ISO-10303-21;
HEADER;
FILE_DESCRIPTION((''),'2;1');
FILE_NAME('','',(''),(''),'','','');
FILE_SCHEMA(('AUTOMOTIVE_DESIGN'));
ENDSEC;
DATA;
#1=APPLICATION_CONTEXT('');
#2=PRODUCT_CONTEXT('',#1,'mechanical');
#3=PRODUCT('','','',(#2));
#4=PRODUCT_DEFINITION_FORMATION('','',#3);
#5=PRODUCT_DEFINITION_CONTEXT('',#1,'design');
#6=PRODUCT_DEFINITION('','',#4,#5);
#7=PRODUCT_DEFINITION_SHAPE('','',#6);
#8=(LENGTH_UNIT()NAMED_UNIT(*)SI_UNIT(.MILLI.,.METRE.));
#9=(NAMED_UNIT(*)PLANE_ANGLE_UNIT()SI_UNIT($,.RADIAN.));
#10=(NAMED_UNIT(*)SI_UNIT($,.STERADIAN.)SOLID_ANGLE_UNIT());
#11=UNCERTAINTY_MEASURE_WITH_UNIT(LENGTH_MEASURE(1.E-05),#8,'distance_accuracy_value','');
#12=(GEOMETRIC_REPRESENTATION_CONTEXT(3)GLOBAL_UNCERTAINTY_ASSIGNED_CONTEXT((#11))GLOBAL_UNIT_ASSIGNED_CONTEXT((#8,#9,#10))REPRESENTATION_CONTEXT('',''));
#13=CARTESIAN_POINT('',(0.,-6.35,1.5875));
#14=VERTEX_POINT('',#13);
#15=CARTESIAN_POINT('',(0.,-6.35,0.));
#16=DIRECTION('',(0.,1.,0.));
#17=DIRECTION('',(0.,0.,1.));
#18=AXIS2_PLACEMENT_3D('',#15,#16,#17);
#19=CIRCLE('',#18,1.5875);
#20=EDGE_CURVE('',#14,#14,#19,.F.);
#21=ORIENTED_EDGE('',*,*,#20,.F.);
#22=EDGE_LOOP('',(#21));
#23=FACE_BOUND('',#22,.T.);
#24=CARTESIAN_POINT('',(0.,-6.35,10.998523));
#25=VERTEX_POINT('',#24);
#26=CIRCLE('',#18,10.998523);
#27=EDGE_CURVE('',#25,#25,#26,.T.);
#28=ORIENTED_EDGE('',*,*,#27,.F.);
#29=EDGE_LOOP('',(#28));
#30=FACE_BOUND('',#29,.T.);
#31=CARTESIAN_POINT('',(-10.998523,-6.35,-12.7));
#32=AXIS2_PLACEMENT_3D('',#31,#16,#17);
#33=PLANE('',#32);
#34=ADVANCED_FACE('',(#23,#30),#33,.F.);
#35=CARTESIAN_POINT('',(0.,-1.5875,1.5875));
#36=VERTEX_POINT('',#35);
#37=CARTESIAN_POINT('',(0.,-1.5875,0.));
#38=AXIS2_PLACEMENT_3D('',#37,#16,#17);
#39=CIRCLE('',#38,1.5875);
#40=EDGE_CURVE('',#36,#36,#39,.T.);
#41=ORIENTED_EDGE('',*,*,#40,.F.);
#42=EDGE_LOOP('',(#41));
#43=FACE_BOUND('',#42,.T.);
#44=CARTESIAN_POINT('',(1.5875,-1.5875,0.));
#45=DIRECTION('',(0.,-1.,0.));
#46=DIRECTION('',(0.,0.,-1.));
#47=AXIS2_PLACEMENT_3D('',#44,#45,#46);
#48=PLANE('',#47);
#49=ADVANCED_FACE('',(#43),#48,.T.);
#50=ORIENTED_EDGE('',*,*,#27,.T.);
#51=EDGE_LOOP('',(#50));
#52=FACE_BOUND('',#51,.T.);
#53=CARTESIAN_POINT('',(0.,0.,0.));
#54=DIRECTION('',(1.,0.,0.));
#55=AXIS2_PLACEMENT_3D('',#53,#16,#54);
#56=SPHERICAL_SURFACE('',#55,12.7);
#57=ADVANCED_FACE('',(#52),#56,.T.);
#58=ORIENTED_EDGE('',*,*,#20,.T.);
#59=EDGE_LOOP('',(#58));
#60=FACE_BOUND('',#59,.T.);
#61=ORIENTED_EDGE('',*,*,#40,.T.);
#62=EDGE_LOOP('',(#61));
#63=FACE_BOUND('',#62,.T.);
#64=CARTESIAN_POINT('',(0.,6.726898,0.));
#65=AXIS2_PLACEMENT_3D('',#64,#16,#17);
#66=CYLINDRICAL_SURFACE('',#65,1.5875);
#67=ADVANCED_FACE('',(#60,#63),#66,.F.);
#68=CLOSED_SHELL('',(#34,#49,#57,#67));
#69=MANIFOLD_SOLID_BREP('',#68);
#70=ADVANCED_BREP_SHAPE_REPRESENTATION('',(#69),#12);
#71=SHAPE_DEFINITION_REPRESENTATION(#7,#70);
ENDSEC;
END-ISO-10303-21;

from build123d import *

# Parameters (mm, degrees)
TRUNCATED_BALL_DEPTH      = 13.7
TRUNCATED_BALL_DEPTH_BACK = 13.7
SKETCH8_W                 = 1.5875
SKETCH8_H                 = 11.1125


with BuildPart() as part:
    # Sketch1 → Complete_Ball (revolve)
    with BuildSketch(Plane.XY):
        with BuildLine():
            Line((0, 12.7), (0, -12.7))
            ThreePointArc((0, -12.7), (12.7, 0), (0, 12.7))
        make_face()
    revolve(axis=Axis((0, 13.6525, 0), (0, -1, 0)))

    # Sketch2 → Truncated_ball (cut, two sides)
    with BuildSketch(Plane.XY) as truncated_ball_sk:
        with BuildLine():
            Line((-10.998522628, -6.35), (10.998522628, -6.35))
            ThreePointArc((10.998522628, -6.35), (0, -12.7), (-10.998522628, -6.35))
        make_face()
    extrude(amount=TRUNCATED_BALL_DEPTH, mode=Mode.SUBTRACT)
    extrude(truncated_ball_sk.sketch, amount=-TRUNCATED_BALL_DEPTH_BACK, mode=Mode.SUBTRACT)

    # Sketch8 → Truncated_ball_w_blind_hole (revolve, cut)
    with BuildSketch(Plane.XY):
        with Locations((0.79375, -7.14375)):
            Rectangle(SKETCH8_W, SKETCH8_H)
    revolve(axis=Axis((0, 6.726898043, 0), (0, -1, 0)), mode=Mode.SUBTRACT)


solid = part.part
